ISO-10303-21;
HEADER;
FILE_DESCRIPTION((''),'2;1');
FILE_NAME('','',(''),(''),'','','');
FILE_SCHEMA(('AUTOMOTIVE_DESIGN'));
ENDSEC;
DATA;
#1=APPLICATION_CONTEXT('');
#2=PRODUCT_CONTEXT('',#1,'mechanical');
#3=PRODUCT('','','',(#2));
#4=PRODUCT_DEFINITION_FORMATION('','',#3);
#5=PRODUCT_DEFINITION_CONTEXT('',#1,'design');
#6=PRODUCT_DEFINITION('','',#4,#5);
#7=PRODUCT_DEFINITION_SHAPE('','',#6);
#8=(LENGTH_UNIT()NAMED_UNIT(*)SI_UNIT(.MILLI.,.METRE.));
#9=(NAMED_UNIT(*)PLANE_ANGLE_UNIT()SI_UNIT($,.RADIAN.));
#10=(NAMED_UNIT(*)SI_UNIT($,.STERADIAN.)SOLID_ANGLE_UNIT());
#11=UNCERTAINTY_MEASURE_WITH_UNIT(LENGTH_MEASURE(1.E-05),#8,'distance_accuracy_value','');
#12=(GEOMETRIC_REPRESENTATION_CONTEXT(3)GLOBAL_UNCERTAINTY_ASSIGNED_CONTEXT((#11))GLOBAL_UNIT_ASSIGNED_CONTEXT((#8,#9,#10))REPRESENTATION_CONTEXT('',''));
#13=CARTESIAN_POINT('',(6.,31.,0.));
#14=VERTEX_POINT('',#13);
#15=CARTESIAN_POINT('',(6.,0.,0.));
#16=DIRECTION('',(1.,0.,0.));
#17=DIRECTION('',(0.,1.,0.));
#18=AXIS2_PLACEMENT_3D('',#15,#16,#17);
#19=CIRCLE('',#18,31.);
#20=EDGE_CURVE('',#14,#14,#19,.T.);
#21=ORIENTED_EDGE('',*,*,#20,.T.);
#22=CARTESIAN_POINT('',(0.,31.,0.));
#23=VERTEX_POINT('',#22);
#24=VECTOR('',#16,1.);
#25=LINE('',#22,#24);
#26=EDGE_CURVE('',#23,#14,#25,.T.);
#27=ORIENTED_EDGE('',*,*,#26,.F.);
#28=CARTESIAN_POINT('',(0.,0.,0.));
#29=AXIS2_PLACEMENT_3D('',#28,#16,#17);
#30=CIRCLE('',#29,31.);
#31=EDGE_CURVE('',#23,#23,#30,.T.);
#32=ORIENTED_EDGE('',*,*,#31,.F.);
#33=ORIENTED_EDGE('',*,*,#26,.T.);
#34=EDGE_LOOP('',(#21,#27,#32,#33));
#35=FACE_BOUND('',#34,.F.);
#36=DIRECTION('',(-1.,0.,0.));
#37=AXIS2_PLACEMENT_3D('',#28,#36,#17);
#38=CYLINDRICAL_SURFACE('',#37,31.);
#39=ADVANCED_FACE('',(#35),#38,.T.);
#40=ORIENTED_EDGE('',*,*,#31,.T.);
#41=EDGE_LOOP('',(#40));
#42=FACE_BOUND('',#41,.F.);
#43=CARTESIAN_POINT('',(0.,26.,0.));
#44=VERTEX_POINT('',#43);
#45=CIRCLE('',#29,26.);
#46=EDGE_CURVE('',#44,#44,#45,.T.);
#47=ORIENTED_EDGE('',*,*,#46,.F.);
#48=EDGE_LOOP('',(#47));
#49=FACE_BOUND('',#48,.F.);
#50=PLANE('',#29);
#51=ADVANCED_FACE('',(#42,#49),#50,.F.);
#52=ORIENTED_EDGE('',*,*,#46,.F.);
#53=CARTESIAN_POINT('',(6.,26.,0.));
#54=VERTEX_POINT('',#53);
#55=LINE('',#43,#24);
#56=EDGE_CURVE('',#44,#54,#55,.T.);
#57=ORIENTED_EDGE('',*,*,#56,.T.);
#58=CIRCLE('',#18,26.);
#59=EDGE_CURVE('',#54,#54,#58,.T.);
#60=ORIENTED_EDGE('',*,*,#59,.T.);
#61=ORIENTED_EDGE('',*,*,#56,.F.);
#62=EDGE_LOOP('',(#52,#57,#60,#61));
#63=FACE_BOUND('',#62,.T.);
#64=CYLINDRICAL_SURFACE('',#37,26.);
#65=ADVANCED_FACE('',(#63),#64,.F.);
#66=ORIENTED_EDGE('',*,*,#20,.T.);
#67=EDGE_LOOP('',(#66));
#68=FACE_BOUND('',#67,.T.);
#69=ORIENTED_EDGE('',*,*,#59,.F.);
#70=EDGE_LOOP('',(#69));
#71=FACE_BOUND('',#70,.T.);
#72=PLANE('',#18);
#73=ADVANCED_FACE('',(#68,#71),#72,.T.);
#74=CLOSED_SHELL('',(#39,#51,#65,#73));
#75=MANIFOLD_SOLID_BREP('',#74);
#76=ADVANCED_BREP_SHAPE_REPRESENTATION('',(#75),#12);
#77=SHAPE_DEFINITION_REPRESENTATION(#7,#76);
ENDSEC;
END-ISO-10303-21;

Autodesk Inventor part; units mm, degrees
sketch "Эскиз1" plane through (0, 0, 0) normal (1, 0, 0) x (0, 1, 0)
  circle A0 centre (0, 0) radius 26
  circle A1 centre (0, 0) radius 31
  dimension "d0" = 52
  dimension "d1" = 62
extrude "Выдавливание1" add sketch "Эскиз1" along normal blind 6
properties part number "между крышкой и подшипником"
